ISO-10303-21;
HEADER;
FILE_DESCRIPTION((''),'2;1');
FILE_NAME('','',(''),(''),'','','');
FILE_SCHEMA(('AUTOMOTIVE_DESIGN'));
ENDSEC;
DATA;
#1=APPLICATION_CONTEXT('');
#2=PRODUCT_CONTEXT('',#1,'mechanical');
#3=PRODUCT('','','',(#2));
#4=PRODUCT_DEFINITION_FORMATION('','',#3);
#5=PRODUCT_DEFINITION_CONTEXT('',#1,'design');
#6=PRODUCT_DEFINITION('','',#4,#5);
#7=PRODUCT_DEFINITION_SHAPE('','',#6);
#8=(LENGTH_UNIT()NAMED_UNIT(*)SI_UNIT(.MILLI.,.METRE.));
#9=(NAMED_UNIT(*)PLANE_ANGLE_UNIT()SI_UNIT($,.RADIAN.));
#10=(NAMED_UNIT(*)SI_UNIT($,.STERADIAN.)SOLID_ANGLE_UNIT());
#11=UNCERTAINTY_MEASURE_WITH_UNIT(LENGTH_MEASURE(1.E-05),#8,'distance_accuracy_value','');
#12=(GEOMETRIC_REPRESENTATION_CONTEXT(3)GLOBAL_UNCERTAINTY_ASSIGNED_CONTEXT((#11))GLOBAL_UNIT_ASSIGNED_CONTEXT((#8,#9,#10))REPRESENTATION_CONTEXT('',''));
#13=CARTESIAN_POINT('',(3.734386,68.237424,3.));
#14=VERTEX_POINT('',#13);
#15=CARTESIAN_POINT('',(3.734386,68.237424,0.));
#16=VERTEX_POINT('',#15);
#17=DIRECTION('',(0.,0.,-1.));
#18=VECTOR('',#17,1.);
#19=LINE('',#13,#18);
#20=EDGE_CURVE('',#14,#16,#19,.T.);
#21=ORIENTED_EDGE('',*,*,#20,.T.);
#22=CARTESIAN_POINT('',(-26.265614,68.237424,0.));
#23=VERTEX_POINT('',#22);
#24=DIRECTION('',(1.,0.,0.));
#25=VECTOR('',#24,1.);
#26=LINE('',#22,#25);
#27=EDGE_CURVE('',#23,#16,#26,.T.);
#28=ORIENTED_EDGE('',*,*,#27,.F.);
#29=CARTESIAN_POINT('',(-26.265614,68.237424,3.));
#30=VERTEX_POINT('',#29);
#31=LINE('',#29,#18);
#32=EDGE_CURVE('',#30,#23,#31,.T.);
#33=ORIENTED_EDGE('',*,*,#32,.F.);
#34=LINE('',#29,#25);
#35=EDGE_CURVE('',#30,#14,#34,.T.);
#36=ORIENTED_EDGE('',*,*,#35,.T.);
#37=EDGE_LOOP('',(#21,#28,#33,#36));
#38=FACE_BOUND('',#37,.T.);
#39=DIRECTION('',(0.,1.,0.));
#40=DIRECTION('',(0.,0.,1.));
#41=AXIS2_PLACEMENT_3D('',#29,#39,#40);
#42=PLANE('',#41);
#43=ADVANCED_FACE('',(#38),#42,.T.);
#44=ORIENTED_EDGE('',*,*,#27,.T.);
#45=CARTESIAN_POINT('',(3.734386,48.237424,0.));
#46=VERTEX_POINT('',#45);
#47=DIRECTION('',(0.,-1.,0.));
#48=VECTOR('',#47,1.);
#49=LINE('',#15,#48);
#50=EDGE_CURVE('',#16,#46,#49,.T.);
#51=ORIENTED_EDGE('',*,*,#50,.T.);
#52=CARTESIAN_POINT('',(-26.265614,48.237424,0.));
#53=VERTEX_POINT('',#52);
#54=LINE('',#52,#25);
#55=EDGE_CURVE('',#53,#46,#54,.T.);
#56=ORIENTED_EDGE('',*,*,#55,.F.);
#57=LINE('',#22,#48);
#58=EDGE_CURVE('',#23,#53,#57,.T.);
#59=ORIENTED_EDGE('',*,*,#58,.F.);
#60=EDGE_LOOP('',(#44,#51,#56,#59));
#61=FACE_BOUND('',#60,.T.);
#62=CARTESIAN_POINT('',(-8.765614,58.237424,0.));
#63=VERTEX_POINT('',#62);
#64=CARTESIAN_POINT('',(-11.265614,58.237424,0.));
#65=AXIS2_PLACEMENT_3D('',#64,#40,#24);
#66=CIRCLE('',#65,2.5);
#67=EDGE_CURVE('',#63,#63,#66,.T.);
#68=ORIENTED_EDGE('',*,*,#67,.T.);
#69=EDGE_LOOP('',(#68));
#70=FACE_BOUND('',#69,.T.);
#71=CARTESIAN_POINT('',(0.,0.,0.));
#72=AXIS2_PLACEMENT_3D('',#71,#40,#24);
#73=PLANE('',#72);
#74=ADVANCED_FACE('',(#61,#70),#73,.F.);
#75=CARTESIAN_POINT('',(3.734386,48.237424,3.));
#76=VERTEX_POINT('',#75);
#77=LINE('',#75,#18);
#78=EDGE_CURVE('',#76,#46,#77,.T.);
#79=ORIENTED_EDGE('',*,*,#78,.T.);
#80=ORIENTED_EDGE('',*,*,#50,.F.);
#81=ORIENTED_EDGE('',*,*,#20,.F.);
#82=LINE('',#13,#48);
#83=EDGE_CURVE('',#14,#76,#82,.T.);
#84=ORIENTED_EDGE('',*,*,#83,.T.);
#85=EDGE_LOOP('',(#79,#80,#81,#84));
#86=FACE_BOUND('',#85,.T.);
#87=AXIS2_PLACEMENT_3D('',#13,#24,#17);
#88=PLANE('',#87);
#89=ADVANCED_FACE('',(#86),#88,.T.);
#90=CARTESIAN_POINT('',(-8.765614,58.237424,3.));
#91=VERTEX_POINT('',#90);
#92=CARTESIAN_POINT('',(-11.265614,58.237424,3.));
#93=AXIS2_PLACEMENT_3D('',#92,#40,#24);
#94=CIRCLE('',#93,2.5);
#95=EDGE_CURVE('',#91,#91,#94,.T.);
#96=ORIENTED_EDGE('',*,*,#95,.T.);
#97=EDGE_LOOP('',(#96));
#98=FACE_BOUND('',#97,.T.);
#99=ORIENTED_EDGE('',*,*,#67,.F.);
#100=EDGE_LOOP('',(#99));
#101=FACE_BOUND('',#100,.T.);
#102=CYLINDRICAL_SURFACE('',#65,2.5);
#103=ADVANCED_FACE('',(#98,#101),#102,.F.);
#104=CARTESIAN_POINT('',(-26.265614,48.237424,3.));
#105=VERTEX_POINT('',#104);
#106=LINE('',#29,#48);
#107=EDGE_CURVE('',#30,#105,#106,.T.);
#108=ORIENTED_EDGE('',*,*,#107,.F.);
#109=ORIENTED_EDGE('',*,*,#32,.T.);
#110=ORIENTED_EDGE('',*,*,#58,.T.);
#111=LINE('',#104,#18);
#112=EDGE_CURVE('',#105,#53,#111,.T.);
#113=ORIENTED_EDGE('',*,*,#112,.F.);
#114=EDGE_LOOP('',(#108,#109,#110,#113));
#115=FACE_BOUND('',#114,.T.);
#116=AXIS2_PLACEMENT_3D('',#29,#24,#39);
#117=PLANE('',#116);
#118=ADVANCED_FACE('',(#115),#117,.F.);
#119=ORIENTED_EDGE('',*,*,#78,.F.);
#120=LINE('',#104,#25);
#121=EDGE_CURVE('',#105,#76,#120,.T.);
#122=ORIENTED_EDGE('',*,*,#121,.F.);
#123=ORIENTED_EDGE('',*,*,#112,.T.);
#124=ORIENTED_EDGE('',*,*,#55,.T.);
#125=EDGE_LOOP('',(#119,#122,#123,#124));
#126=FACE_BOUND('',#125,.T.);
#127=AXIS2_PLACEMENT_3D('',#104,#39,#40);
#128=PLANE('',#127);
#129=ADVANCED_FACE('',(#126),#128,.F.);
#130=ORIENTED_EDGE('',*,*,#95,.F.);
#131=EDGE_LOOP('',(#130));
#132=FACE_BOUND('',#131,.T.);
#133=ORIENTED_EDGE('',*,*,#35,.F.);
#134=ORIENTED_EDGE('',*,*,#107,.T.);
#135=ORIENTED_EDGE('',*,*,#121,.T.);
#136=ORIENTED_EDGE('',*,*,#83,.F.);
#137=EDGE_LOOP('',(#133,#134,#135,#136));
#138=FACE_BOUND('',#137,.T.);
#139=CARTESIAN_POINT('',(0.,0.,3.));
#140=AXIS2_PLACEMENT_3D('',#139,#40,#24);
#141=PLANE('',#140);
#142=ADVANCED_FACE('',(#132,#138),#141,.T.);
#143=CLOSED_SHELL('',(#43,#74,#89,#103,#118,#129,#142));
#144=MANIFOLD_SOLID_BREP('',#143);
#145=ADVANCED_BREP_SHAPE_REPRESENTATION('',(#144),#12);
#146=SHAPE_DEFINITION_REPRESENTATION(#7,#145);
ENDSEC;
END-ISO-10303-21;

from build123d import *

# Parameters (mm, degrees)
SKETCH1_W           = 30
SKETCH1_H           = 20
BOSS_EXTRUDE2_DEPTH = 3
SKETCH6_R           = 2.5
CUT_EXTRUDE1_DEPTH  = 3


with BuildPart() as part:
    # Sketch1 → Boss-Extrude2 (new body)
    with BuildSketch(Plane.XY):
        with Locations((-11.265613609, 58.237424058)):
            Rectangle(SKETCH1_W, SKETCH1_H)
    extrude(amount=BOSS_EXTRUDE2_DEPTH)

    # Sketch6 → Cut-Extrude1 (cut)
    with BuildSketch(Plane.XY.offset(3)):
        with Locations((-11.265613609, 58.237424058)):
            Circle(SKETCH6_R)
    extrude(amount=-CUT_EXTRUDE1_DEPTH, mode=Mode.SUBTRACT)


solid = part.part
